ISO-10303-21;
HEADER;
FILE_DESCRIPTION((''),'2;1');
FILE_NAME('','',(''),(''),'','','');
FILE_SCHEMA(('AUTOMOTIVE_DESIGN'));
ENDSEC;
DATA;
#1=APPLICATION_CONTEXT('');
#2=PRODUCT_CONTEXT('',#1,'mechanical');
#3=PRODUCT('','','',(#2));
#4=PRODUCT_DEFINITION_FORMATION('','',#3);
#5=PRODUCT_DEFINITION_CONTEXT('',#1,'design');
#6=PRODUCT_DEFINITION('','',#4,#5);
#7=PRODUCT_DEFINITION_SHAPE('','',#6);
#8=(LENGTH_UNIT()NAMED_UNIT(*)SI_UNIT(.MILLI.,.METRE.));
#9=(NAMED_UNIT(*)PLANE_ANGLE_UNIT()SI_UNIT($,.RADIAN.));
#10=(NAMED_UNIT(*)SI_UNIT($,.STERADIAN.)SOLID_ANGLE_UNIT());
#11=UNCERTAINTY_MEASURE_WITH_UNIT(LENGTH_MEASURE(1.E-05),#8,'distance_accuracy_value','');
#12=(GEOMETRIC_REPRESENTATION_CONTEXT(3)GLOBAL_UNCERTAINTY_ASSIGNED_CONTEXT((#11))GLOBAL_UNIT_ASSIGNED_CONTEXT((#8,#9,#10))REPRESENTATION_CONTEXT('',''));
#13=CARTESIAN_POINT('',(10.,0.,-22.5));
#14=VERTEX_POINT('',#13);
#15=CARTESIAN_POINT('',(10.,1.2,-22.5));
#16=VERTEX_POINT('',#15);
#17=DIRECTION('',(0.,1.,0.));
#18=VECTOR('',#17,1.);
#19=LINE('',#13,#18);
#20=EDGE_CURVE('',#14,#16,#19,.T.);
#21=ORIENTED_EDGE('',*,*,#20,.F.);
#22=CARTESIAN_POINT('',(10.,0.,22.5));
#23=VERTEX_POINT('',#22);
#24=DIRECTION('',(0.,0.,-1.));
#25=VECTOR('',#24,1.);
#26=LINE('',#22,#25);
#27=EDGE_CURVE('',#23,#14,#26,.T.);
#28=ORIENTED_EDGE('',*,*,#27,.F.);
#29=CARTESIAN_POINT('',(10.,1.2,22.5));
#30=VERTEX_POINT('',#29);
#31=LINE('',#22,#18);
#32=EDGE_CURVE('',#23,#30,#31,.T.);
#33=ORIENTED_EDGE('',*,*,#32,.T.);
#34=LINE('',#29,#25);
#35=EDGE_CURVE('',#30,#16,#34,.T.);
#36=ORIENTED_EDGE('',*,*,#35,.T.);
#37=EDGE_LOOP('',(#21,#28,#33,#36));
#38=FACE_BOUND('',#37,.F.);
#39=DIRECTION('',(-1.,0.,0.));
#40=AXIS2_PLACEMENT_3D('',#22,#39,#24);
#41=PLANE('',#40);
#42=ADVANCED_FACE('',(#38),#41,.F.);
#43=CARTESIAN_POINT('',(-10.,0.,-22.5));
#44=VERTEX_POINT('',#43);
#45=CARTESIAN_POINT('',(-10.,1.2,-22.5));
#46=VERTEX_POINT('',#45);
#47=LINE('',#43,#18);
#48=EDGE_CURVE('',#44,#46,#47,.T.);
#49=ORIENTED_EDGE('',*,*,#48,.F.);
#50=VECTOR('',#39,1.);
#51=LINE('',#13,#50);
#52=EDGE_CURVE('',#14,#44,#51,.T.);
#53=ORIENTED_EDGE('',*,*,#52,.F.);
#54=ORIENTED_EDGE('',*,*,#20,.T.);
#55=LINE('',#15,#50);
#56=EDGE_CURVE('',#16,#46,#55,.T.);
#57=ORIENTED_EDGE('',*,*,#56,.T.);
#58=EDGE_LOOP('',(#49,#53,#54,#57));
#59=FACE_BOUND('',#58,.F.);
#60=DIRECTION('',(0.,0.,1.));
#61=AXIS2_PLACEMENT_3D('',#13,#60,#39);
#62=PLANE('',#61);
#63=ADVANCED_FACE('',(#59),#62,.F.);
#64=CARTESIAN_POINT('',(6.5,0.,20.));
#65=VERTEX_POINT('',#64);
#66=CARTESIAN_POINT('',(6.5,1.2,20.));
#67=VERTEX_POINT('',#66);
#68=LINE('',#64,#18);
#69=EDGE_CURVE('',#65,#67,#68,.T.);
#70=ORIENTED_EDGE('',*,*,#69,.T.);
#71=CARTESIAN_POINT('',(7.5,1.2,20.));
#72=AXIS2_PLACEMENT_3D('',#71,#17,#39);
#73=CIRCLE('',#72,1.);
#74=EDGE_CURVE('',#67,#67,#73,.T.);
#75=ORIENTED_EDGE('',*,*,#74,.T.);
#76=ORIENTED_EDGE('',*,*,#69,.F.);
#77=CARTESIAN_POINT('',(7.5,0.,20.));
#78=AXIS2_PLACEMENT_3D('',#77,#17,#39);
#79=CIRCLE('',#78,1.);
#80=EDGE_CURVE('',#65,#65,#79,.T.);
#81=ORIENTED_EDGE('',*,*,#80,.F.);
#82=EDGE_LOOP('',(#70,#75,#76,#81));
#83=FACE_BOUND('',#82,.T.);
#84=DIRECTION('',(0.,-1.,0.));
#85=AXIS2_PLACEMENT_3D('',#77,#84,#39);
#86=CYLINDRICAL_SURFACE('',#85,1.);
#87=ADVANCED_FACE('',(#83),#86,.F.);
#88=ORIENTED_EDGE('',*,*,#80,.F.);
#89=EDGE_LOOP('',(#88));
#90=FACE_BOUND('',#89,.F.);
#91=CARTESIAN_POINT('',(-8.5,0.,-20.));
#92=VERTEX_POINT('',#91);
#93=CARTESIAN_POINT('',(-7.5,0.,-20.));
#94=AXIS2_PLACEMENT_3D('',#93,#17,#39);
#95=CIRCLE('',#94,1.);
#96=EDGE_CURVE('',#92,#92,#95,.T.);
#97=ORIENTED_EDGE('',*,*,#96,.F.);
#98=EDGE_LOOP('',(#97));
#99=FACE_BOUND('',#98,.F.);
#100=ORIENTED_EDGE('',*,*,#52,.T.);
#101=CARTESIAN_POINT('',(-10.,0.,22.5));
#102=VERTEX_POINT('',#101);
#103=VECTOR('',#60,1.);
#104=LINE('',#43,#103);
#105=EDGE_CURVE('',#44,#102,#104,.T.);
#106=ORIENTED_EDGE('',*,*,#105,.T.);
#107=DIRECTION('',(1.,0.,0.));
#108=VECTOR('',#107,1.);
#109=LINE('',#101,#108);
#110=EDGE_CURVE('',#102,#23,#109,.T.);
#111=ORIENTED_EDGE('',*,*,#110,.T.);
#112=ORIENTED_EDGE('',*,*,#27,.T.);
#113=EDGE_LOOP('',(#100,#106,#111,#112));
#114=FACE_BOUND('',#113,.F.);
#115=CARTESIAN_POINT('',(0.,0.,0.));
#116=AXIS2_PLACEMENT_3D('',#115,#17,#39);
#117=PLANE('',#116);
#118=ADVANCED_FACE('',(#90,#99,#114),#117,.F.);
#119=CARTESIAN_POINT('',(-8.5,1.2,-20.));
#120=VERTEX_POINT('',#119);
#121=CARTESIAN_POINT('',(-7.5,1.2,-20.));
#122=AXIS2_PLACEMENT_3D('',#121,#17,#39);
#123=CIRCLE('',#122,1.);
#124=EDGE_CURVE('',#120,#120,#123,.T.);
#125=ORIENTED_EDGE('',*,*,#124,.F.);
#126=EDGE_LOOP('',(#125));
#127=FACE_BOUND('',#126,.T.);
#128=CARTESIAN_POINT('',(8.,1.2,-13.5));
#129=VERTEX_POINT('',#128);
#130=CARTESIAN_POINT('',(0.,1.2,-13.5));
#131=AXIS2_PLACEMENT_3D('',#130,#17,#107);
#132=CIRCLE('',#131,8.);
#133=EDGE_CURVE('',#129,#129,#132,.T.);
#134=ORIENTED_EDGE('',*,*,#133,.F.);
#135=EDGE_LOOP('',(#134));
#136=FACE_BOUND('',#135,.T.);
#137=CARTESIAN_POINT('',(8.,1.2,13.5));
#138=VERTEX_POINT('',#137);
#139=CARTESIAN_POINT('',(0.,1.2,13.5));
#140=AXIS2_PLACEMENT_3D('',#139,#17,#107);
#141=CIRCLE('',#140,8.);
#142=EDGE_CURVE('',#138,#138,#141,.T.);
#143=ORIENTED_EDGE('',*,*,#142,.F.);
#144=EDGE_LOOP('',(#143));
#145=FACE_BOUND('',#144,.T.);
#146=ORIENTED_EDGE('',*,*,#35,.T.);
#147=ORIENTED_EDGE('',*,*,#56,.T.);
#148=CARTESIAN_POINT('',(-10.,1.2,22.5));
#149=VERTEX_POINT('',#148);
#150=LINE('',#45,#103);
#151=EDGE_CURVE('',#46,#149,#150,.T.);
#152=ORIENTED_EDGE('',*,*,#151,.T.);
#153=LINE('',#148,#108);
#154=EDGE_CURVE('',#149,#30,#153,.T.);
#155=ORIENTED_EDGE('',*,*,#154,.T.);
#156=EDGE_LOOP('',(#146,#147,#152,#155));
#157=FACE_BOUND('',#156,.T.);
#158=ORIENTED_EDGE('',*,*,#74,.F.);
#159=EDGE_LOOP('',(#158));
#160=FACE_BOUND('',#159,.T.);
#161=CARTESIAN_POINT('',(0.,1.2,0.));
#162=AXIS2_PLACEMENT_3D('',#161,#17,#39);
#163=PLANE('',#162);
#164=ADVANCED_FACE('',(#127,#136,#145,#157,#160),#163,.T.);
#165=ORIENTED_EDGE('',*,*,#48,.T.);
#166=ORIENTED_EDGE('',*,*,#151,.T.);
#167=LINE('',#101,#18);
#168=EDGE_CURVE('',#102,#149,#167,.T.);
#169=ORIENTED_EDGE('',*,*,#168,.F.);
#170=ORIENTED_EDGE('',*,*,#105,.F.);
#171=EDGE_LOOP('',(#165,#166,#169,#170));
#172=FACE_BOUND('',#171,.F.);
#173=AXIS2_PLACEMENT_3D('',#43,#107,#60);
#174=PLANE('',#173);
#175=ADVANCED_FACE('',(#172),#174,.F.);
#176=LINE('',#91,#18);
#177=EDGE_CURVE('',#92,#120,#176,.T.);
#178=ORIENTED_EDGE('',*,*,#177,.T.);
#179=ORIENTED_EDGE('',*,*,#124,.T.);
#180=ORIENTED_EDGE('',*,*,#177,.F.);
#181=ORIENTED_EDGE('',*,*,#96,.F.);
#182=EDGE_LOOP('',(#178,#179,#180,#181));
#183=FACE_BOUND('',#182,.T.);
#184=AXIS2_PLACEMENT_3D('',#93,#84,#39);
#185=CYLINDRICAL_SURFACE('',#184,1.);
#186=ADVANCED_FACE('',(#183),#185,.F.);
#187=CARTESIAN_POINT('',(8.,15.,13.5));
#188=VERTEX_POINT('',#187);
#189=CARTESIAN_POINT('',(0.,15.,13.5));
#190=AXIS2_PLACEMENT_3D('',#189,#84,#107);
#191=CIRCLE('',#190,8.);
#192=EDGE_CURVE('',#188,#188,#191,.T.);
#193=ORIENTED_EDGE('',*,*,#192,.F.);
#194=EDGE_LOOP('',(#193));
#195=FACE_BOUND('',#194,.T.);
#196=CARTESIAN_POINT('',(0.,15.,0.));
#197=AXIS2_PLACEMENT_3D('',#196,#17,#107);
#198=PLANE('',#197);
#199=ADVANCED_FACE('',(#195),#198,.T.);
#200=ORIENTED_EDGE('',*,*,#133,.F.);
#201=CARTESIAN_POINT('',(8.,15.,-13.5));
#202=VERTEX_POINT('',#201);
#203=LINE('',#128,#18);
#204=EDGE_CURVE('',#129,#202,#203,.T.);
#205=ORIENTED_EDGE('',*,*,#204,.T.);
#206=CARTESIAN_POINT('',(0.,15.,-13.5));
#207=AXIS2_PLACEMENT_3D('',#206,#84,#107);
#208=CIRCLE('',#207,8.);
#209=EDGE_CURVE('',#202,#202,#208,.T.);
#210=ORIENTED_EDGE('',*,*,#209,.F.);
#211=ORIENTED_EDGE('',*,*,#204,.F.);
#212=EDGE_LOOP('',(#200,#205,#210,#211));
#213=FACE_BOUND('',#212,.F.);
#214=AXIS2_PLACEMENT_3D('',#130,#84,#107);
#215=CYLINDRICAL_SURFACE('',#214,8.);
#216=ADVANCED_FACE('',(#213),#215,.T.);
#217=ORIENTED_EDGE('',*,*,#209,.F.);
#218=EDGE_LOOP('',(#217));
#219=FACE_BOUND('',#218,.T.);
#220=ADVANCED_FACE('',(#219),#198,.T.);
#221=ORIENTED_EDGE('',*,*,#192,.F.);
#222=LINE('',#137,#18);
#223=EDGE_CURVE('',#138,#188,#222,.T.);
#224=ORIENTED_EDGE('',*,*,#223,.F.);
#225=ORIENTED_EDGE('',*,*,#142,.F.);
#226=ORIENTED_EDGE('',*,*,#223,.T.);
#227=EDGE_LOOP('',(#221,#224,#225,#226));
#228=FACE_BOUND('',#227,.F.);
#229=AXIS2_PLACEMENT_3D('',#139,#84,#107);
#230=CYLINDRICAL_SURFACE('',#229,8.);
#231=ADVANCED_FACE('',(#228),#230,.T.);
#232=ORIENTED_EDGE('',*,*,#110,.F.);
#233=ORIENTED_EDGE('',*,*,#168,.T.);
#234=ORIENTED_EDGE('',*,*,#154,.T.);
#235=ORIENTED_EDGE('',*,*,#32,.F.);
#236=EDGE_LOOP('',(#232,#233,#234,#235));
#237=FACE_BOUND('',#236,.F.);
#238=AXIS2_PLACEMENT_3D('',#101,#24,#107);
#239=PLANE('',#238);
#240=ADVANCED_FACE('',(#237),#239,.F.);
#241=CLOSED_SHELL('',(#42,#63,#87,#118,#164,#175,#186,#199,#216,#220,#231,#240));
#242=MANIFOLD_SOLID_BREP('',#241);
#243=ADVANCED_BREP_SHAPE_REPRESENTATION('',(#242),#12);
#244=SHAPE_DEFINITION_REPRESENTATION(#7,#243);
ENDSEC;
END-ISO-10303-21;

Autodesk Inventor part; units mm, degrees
ref_plane "YZ Plane" through (0, 0, 0) normal (1, 0, 0) x (0, 1, 0)
ref_plane "XZ Plane" through (0, 0, 0) normal (0, 1, 0) x (-1, 0, 0)
ref_plane "XY Plane" through (0, 0, 0) normal (0, 0, 1) x (1, 0, 0)
sketch "스케치1" plane through (0, 0, 0) normal (0, 1, 0) x (-1, 0, 0)
  line L0 (10, 22.5) -> (-10, 22.5)
  line L1 (-10, 22.5) -> (-10, -22.5)
  line L2 (-10, -22.5) -> (10, -22.5)
  line L3 (10, -22.5) -> (10, 22.5)
  line L4 (10, 22.5) -> (-10, -22.5) construction
  line L5 (-10, 22.5) -> (10, -22.5) construction
  line L6 (-7.5, 20) -> (-7.5, -20) construction
  line L7 (0, 13.5) -> (0, -13.5) construction
  circle A0 centre (0, 13.5) radius 8
  circle A1 centre (0, -13.5) radius 8
  line L8 (7.5, 20) -> (7.5, -20) construction
  circle A2 centre (-7.5, 20) radius 1
  circle A3 centre (7.5, -20) radius 1
  point P0 (0, 0)
  point P1 (0, 0)
  dimension "d0" = 20
  dimension "d1" = 45
  dimension "d2" = 27
  dimension "d3" = 40
  dimension "d4" = 20
  dimension "d5" = 10
  dimension "d6" = 9
  dimension "d7" = 16
  dimension "d8" = 16
  dimension "d9" = 40
  dimension "d10" = 20
  dimension "d11" = 15
  dimension "d12" = 7.5
  dimension "d13" = 2
  dimension "d14" = 2
extrude "돌출1" add sketch "스케치1" along normal blind 1.2 contours L3 L2 L1 L0 | A0 | A1
sketch "스케치2" plane through (0, 1.2, 0) normal (0, 1, 0) x (1, 0, 0)
  line L0 (0, -13.5) -> (0, 13.5)
  line L1 (-10, 22.5) -> (-10, -22.5) projected
  line L2 (10, -22.5) -> (10, 22.5) projected
  circle A0 centre (0, -13.5) radius 8
  circle A1 centre (0, 13.5) radius 8
  point P0 (0, 0)
  point P1 (-10, 0)
  dimension "d17" = 27
  dimension "d20" = 10
  dimension "d21" = 13.5
  dimension "d22" = 16
  dimension "d23" = 16
extrude "돌출2" add sketch "스케치2" along normal blind 13.8
properties part number "초음파센서"
